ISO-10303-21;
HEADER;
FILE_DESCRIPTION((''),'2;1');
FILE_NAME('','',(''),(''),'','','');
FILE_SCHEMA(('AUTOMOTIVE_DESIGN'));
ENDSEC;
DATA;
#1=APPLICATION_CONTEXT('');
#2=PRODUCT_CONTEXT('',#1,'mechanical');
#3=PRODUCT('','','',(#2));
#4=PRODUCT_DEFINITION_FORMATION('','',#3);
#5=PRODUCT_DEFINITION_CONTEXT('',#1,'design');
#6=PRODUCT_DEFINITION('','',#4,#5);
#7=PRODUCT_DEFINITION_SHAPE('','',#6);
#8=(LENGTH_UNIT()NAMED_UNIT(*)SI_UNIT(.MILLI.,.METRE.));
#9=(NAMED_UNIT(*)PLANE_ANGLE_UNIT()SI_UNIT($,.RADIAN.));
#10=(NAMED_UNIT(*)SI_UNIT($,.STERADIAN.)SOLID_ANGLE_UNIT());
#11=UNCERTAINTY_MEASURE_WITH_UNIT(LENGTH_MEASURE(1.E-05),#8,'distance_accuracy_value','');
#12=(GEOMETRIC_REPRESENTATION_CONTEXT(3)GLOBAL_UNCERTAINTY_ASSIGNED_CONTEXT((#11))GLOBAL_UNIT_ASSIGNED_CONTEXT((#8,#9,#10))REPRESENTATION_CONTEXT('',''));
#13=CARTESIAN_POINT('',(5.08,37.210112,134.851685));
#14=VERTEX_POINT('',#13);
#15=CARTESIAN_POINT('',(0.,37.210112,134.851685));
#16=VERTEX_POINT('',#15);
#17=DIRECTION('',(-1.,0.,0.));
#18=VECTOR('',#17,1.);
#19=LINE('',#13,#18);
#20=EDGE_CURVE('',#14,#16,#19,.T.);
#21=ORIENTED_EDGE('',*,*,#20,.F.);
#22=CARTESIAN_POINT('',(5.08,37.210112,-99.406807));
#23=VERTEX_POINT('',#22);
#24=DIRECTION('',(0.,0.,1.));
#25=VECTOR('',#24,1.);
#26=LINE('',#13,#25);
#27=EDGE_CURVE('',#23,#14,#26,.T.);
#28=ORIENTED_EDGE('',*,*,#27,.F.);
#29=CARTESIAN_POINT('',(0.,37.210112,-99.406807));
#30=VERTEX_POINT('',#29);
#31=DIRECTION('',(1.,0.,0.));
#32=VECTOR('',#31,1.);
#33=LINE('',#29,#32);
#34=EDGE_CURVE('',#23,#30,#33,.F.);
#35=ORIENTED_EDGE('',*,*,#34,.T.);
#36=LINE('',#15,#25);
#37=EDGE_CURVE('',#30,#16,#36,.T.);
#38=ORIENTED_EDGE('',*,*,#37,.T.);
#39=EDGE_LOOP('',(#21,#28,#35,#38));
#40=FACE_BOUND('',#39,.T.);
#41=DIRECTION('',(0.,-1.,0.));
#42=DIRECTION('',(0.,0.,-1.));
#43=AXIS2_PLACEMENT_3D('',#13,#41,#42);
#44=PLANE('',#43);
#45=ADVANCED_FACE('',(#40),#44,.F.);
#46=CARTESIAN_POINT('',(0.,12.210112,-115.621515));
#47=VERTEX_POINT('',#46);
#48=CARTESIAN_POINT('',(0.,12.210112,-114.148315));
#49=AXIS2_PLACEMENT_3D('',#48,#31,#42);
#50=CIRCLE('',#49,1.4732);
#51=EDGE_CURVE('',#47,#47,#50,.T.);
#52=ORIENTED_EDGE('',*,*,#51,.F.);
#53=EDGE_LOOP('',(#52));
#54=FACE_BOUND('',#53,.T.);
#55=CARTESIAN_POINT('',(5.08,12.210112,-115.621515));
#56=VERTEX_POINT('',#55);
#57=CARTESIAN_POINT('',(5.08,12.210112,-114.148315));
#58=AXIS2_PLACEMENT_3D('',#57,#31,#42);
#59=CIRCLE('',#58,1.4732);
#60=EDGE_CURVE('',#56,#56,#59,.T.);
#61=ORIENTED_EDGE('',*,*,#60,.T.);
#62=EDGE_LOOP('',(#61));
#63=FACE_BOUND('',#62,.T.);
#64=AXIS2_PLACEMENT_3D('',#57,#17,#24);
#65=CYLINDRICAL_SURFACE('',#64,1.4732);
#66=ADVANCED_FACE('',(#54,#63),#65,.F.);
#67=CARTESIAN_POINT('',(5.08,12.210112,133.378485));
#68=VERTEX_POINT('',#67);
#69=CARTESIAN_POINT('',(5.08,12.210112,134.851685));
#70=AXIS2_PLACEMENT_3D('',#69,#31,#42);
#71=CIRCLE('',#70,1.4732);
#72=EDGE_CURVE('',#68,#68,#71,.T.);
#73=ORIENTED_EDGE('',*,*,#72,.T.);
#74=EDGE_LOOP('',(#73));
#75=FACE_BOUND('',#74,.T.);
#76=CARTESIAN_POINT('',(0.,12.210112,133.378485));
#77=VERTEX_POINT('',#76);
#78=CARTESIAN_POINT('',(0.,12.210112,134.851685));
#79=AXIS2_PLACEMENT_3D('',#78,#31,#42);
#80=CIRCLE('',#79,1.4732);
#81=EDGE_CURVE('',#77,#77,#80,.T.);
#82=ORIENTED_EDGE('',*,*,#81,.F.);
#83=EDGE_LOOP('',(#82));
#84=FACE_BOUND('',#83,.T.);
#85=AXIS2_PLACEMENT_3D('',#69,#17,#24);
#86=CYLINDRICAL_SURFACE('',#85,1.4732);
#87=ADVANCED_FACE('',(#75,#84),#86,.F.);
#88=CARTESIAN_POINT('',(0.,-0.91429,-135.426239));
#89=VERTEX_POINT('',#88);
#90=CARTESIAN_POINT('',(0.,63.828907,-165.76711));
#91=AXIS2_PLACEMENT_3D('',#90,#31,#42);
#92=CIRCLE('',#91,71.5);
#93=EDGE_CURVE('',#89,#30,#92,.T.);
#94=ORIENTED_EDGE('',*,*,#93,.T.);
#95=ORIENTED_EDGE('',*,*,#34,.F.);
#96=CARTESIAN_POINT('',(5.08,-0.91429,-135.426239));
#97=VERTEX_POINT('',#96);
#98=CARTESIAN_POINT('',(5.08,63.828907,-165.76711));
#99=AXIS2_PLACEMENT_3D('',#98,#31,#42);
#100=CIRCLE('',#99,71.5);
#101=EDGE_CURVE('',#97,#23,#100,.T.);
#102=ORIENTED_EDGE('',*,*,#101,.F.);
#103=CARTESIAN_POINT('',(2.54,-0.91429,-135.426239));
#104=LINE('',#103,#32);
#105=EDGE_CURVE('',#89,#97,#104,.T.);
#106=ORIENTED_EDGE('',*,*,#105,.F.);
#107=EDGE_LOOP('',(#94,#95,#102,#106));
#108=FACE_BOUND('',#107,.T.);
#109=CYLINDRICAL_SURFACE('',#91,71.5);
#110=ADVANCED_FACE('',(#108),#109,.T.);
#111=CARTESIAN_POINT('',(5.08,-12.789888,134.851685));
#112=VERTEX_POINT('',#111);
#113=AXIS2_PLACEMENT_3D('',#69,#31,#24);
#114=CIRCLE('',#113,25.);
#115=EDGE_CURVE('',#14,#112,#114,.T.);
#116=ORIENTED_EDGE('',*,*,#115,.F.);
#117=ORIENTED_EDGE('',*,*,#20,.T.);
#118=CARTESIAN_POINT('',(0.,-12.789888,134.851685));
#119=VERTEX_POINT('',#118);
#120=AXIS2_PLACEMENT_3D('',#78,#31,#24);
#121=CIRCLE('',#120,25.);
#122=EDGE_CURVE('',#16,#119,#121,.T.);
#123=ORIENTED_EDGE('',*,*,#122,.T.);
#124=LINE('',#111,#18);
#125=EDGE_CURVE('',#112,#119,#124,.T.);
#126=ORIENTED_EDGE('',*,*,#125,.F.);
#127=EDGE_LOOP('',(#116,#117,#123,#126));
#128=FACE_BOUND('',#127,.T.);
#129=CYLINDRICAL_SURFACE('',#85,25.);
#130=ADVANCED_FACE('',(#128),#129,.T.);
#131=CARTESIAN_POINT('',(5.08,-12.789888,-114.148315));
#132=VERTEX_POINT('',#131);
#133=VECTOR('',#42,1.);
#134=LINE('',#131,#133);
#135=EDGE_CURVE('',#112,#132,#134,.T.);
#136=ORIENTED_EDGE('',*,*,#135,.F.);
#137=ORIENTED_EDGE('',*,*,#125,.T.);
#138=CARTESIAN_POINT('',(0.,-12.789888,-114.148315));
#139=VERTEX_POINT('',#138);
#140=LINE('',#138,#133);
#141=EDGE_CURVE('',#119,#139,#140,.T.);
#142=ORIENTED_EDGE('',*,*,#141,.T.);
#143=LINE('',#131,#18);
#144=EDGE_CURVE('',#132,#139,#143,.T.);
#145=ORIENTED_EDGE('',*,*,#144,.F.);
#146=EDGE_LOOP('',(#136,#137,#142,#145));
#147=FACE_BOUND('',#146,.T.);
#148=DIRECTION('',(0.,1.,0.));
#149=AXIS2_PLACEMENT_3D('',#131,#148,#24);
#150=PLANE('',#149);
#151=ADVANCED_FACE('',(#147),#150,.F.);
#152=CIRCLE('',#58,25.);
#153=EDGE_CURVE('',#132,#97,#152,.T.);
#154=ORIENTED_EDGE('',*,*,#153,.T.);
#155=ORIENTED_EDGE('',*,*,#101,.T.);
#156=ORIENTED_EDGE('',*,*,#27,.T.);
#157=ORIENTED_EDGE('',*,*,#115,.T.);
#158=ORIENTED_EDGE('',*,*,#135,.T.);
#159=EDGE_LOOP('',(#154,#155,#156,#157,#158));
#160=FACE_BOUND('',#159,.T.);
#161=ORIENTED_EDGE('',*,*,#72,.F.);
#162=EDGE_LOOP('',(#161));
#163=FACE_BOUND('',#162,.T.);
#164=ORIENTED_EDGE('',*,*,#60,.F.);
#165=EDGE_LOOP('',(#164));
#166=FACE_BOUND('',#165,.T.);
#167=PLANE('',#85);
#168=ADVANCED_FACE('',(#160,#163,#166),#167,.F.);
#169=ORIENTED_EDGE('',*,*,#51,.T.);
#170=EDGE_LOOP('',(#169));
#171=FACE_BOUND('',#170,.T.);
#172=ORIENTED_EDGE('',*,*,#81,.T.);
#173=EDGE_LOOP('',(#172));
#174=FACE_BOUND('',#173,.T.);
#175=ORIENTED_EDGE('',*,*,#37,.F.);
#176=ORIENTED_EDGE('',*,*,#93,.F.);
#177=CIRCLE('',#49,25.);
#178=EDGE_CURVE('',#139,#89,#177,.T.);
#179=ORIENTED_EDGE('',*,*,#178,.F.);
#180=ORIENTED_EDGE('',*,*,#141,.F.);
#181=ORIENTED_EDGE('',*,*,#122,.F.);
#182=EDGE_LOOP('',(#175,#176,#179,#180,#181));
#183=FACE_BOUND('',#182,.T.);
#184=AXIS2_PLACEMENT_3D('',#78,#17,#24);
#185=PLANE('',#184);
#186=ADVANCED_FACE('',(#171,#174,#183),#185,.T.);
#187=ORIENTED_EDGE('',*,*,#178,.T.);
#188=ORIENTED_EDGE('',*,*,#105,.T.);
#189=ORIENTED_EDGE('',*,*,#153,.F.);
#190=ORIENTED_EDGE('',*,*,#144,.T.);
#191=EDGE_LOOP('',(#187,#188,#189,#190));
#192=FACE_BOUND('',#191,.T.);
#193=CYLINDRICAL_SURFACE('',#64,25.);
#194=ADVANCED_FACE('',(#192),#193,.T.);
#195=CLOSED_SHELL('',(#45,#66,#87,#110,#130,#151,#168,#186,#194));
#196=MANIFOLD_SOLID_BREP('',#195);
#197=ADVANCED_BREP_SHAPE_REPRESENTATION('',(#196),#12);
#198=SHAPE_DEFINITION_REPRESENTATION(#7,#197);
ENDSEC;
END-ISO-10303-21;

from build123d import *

# Parameters (mm, degrees)
SKETCH1_R           = 1.4732
BOSS_EXTRUDE1_DEPTH = 5.08
SKETCH2_R           = 71.5
BOSS_EXTRUDE2_DEPTH = 5.08


with BuildPart() as part:
    # Sketch1 → Boss-Extrude1 (new body)
    with BuildSketch(Plane(origin=(0, 0, 0), x_dir=(0, 0, -1), z_dir=(1, 0, 0))):
        with BuildLine():
            Line((-134.851685393, 37.21011236), (114.148314607, 37.21011236))
            ThreePointArc((114.148314607, 37.21011236), (139.148314607, 12.21011236), (114.148314607, -12.78988764))
            Line((114.148314607, -12.78988764), (-134.851685393, -12.78988764))
            ThreePointArc((-134.851685393, -12.78988764), (-159.851685393, 12.21011236), (-134.851685393, 37.21011236))
        make_face()
        with Locations((-134.851685393, 12.21011236)):
            Circle(SKETCH1_R, mode=Mode.SUBTRACT)
        with Locations((114.148314607, 12.21011236)):
            Circle(SKETCH1_R, mode=Mode.SUBTRACT)
    extrude(amount=BOSS_EXTRUDE1_DEPTH)

    # Sketch2 → Boss-Extrude2 (add)
    with BuildSketch(Plane(origin=(5.08, 0, 0), x_dir=(0, 0, -1), z_dir=(1, 0, 0))):
        with Locations((165.767109633, 63.828907386)):
            Circle(SKETCH2_R)
    extrude(amount=-BOSS_EXTRUDE2_DEPTH)


solid = part.part
